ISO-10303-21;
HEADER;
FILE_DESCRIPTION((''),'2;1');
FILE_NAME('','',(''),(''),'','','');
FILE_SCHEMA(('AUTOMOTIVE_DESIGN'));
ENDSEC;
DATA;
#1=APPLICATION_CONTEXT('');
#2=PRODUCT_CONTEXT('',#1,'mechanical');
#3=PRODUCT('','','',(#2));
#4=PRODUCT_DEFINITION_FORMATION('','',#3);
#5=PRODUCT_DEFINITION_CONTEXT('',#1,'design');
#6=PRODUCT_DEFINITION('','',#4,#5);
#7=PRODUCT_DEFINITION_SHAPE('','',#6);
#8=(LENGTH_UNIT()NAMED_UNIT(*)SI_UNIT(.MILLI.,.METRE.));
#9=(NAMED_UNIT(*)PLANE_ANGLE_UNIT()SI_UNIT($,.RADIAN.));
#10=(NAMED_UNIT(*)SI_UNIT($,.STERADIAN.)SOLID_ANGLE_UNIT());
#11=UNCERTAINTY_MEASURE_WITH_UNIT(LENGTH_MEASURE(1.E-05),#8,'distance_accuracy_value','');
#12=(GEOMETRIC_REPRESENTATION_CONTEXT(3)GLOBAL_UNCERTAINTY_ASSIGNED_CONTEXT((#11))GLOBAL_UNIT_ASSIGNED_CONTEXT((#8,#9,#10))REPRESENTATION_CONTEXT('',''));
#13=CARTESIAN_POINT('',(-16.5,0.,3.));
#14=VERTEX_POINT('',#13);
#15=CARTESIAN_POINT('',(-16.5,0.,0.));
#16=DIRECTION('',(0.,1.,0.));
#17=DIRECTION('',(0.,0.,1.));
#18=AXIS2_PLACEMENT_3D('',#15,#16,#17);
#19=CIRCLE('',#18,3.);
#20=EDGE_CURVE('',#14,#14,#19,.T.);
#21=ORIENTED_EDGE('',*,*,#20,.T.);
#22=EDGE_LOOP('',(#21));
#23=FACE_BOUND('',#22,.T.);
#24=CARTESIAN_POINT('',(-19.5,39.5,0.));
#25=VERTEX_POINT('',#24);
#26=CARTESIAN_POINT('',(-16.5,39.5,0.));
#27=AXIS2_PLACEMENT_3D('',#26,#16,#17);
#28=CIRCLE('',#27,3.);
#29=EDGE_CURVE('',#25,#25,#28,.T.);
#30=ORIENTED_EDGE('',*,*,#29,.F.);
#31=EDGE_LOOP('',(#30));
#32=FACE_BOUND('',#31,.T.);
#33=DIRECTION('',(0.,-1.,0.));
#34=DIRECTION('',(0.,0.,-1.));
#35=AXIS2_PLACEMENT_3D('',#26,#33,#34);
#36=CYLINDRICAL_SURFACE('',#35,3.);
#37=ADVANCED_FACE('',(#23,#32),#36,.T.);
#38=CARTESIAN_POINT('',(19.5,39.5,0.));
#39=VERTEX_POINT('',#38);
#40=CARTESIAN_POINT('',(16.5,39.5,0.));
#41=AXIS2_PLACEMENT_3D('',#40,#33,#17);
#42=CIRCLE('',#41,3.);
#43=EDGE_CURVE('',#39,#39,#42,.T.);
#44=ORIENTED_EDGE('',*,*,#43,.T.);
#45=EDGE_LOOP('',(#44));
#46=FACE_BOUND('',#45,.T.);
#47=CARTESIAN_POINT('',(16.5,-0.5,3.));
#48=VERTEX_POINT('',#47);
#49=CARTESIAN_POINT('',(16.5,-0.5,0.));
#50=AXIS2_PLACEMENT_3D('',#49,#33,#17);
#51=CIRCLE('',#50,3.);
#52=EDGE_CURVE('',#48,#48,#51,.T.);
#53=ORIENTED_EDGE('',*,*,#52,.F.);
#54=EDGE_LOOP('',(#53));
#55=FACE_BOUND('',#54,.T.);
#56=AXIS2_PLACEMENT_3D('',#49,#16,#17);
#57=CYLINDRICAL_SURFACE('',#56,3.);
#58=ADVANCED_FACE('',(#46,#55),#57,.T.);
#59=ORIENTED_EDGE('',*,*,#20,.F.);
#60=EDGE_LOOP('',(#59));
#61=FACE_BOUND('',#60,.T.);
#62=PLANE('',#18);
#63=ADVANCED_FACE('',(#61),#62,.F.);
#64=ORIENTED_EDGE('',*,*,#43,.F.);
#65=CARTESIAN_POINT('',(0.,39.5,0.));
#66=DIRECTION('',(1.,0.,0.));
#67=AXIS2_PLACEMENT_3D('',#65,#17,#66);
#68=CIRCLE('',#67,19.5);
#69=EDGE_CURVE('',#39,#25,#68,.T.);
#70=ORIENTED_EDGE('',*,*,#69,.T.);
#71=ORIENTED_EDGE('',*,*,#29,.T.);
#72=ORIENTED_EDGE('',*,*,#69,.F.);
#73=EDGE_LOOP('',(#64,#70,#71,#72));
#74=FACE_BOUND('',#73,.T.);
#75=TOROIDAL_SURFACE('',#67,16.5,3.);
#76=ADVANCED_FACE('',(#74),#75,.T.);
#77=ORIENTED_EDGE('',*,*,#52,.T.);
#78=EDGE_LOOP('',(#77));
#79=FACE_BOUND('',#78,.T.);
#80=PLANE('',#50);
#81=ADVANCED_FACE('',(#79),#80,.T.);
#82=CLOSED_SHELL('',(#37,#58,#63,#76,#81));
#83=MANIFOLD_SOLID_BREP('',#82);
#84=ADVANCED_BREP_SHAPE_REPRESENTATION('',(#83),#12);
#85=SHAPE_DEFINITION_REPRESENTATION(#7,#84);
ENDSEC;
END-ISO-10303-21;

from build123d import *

# Parameters (mm, degrees)
SKETCH1_R = 3


with BuildPart() as part:
    # Sweep1: sweep along a path in Sketch2
    with BuildLine(Plane.XY) as sweep1_path:
        Line((-16.5, 0), (-16.5, 39.5))
        ThreePointArc((-16.5, 39.5), (0, 56), (16.5, 39.5))
        Line((16.5, 39.5), (16.5, -0.5))
    # Sketch1 → Sweep1 (sweep)
    with BuildSketch(Plane(origin=(0, 0, 0), x_dir=(1, 0, 0), z_dir=(0, 1, 0))):
        with Locations((-16.5, 0)):
            Circle(SKETCH1_R)
    sweep(path=sweep1_path.line)


solid = part.part
